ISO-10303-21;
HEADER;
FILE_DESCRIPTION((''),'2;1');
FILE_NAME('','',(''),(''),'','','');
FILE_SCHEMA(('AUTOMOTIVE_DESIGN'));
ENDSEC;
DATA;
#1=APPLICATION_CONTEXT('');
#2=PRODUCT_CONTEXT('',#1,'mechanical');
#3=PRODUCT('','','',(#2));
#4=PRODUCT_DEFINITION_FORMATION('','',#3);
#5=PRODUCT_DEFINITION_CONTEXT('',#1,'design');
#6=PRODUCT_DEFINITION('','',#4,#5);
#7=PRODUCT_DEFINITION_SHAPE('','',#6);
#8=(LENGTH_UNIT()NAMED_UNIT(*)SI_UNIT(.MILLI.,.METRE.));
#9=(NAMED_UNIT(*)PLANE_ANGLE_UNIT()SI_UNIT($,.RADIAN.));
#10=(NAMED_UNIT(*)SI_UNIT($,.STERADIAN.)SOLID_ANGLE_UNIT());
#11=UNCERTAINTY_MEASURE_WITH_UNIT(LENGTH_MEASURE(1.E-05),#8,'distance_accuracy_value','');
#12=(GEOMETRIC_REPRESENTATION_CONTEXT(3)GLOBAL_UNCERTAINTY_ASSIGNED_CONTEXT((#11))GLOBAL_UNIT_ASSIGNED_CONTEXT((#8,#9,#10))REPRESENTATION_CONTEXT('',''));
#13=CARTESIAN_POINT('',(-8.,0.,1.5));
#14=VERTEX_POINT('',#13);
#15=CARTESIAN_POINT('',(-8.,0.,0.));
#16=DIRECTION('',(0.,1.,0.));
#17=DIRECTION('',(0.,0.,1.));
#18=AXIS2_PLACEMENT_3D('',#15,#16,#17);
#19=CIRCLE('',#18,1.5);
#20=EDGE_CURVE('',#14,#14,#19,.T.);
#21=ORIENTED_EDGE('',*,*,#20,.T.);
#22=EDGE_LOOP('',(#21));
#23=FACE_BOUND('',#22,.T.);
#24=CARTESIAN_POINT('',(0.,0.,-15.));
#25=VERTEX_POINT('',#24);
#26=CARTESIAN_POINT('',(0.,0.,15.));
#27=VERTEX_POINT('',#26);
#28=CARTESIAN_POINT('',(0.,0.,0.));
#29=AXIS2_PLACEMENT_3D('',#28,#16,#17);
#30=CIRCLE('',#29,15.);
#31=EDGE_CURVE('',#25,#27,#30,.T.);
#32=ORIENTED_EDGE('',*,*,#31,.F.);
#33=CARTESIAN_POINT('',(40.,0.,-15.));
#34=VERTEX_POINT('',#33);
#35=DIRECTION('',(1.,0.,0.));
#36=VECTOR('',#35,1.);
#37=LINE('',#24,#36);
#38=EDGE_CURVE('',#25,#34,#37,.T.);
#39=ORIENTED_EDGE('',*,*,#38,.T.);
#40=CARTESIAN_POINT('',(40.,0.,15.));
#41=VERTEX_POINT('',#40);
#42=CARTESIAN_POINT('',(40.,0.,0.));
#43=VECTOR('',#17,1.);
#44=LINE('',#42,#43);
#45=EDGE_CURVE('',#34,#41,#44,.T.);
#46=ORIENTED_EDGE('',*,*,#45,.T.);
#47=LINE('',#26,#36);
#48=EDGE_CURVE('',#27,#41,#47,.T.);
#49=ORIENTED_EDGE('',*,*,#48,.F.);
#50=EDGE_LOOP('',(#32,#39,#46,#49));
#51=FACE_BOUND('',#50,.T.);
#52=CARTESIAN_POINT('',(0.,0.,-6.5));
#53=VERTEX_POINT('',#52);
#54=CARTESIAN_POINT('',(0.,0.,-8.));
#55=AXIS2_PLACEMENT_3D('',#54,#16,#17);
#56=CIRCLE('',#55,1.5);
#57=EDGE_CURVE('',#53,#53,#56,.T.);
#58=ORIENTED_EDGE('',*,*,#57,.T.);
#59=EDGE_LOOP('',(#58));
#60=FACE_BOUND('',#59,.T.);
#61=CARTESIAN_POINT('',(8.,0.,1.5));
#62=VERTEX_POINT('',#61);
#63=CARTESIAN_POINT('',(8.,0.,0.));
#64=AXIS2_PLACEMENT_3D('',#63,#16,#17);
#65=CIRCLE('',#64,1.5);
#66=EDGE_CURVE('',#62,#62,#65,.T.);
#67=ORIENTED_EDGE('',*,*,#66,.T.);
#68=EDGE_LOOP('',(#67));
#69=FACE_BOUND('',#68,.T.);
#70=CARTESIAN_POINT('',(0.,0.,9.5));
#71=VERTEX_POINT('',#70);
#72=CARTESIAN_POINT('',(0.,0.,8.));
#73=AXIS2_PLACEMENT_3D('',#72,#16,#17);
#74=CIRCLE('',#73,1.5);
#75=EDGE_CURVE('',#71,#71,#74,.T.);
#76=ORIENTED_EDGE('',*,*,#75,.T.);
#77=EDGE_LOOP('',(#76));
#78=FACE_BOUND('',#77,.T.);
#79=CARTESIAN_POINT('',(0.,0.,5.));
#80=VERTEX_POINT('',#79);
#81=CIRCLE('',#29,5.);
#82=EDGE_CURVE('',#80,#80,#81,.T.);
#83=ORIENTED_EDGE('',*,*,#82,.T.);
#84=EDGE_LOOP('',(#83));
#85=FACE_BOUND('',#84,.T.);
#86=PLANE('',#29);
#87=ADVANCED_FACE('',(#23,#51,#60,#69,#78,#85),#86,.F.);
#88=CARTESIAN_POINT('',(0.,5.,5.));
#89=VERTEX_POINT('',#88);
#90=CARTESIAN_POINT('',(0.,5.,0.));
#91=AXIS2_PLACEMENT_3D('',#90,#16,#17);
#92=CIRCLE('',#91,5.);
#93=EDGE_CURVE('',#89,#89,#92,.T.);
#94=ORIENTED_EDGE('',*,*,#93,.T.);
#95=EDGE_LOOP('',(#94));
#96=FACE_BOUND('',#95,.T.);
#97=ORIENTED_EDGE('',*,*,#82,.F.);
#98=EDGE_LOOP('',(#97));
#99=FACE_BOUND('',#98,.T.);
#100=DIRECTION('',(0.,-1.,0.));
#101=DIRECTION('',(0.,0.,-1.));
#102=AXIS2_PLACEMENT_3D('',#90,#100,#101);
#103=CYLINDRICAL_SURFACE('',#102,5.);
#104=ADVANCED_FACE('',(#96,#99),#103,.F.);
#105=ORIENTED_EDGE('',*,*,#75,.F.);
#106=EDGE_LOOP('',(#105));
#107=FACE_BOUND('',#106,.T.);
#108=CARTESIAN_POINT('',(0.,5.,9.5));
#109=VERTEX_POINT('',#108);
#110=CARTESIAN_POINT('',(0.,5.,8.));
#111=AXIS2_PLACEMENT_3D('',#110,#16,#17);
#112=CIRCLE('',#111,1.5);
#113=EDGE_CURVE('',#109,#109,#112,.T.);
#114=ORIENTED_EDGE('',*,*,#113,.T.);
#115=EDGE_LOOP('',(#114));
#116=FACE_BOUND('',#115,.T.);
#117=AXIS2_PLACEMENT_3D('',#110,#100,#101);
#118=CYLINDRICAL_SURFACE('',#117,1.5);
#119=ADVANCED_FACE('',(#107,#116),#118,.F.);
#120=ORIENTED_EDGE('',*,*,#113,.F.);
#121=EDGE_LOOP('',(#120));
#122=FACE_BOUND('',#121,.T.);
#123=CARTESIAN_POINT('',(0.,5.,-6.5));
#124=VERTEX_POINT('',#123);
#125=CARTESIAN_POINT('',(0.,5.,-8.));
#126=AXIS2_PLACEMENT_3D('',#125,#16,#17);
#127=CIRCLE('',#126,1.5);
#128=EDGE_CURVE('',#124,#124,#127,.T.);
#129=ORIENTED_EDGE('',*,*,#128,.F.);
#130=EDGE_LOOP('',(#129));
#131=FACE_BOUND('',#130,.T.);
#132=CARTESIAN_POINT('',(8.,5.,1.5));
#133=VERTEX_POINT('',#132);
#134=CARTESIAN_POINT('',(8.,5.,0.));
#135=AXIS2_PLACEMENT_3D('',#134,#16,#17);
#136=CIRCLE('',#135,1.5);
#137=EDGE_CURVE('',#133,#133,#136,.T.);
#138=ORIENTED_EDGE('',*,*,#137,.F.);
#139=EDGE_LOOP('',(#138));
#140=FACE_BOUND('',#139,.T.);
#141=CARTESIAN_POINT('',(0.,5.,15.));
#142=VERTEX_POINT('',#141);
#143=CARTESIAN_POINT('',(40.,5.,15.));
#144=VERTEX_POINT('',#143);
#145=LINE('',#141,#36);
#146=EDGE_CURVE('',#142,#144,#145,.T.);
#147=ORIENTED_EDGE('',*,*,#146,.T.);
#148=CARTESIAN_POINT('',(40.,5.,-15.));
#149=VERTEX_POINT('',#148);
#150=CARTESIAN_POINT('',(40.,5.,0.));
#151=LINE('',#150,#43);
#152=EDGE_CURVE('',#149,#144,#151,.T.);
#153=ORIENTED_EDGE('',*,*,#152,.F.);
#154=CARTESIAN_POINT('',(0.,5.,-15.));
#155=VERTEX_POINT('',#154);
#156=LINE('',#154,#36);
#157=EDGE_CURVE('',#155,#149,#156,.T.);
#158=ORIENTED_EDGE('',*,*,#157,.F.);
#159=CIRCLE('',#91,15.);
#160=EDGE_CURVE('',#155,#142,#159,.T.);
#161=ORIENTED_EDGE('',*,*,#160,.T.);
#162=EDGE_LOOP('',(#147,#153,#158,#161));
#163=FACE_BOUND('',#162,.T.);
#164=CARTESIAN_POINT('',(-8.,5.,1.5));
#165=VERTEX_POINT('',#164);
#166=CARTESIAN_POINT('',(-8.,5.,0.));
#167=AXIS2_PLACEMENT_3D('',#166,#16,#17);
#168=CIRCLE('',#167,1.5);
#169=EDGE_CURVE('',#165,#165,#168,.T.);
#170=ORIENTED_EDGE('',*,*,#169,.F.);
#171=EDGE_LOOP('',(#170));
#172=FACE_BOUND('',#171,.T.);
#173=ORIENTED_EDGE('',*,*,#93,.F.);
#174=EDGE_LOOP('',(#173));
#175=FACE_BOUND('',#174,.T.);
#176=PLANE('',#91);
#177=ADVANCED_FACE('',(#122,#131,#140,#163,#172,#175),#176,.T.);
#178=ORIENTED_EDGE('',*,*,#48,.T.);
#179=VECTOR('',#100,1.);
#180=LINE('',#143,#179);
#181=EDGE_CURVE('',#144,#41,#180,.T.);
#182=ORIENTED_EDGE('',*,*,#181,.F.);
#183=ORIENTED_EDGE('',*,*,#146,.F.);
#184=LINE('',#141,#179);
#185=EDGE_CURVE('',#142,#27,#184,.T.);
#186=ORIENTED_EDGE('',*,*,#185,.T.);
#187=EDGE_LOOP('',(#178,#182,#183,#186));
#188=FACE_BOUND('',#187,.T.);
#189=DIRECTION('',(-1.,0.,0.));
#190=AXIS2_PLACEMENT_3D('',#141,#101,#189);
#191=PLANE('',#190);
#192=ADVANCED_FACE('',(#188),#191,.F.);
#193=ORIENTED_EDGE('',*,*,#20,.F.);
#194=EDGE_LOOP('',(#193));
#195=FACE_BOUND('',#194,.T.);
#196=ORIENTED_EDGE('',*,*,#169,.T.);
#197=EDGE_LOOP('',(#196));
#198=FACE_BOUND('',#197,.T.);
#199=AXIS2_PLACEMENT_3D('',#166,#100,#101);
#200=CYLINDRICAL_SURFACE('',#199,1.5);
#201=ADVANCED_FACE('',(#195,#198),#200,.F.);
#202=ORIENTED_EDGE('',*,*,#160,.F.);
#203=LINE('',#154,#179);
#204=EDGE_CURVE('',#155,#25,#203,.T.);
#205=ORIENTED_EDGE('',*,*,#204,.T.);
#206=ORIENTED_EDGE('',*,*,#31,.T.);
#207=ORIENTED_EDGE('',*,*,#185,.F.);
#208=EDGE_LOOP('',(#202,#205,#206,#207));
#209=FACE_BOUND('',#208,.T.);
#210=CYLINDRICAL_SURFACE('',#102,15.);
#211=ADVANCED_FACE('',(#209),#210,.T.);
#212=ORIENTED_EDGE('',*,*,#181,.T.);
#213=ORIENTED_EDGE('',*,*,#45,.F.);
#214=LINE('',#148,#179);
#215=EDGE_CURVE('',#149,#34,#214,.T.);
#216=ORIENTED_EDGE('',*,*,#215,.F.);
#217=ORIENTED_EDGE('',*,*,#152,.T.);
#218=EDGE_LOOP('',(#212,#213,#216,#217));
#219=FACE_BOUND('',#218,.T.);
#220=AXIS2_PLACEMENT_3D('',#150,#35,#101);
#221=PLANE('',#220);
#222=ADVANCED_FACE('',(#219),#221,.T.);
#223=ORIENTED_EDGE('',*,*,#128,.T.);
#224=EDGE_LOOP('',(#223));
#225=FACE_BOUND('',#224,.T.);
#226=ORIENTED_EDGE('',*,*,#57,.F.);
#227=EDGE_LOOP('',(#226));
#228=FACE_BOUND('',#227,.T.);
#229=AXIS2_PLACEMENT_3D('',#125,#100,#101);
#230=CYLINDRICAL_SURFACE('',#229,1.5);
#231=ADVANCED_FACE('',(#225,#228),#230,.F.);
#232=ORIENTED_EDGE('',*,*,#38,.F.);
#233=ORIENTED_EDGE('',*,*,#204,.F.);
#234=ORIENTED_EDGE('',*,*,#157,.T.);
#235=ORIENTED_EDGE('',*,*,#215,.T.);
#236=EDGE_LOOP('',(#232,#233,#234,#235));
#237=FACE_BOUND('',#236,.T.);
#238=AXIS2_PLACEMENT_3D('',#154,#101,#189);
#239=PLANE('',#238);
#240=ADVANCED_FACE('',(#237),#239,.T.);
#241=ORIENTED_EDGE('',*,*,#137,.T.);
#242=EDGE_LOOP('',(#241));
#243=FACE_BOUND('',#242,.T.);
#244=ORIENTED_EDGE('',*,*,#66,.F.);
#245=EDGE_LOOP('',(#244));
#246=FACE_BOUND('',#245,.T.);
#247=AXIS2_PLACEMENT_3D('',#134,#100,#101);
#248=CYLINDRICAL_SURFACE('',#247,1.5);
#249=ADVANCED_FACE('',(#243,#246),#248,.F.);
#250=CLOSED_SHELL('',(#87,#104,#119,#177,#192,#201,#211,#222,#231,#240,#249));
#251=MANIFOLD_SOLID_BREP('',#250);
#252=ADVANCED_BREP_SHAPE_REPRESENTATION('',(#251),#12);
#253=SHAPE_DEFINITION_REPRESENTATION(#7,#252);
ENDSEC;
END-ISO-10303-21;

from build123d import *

# Parameters (mm, degrees)
BOSS_EXTRUDE1_DEPTH = 5


with BuildPart() as part:
    # Sketch1 → Boss-Extrude1 (new body)
    with BuildSketch(Plane(origin=(0, 0, 0), x_dir=(1, 0, 0), z_dir=(0, 1, 0))):
        with BuildLine():
            ThreePointArc((-7.859375, 1.493393655), (-5.656854249, 5.656854249), (-1.493393655, 7.859375))
            ThreePointArc((-1.493393655, 7.859375), (-1.109264959, 9.009718401), (0, 9.5))
            Line((0, 9.5), (0, 15))
            ThreePointArc((0, 15), (-15, 0), (0, -15))
            Line((0, -15), (0, -9.5))
            ThreePointArc((0, -9.5), (-1.109264959, -9.009718401), (-1.493393655, -7.859375))
            ThreePointArc((-1.493393655, -7.859375), (-5.656854249, -5.656854249), (-7.859375, -1.493393655))
            ThreePointArc((-7.859375, -1.493393655), (-9.5, 0), (-7.859375, 1.493393655))
        make_face()
        with BuildLine():
            ThreePointArc((1.5, 8), (1.498347504, 7.929609954), (1.493393655, 7.859375))
            ThreePointArc((1.493393655, 7.859375), (5.656854249, 5.656854249), (7.859375, 1.493393655))
            ThreePointArc((7.859375, 1.493393655), (9.009718401, 1.109264959), (9.5, 0))
            ThreePointArc((9.5, 0), (9.009718401, -1.109264959), (7.859375, -1.493393655))
            ThreePointArc((7.859375, -1.493393655), (5.656854249, -5.656854249), (1.493393655, -7.859375))
            ThreePointArc((1.493393655, -7.859375), (1.498347504, -7.929609954), (1.5, -8))
            ThreePointArc((1.5, -8), (1.060660172, -9.060660172), (0, -9.5))
            Line((0, -9.5), (0, -15))
            ThreePointArc((0, -15), (10.606601718, -10.606601718), (15, 0))
            ThreePointArc((15, 0), (10.606601718, 10.606601718), (0, 15))
            Line((0, 15), (0, 9.5))
            ThreePointArc((0, 9.5), (1.060660172, 9.060660172), (1.5, 8))
        make_face()
        with BuildLine():
            ThreePointArc((0, -5), (-5, 0), (0, 5))
            Line((0, 5), (0, 6.5))
            ThreePointArc((0, 6.5), (-1.009718401, 6.890735041), (-1.493393655, 7.859375))
            ThreePointArc((-1.493393655, 7.859375), (-5.656854249, 5.656854249), (-7.859375, 1.493393655))
            ThreePointArc((-7.859375, 1.493393655), (-6.890735041, 1.009718401), (-6.5, 0))
            ThreePointArc((-6.5, 0), (-6.890735041, -1.009718401), (-7.859375, -1.493393655))
            ThreePointArc((-7.859375, -1.493393655), (-5.656854249, -5.656854249), (-1.493393655, -7.859375))
            ThreePointArc((-1.493393655, -7.859375), (-1.009718401, -6.890735041), (0, -6.5))
            Line((0, -6.5), (0, -5))
        make_face()
        with BuildLine():
            Line((0, 6.5), (0, 5))
            ThreePointArc((0, 5), (3.535533906, 3.535533906), (5, 0))
            ThreePointArc((5, 0), (3.535533906, -3.535533906), (0, -5))
            Line((0, -5), (0, -6.5))
            ThreePointArc((0, -6.5), (1.009718401, -6.890735041), (1.493393655, -7.859375))
            ThreePointArc((1.493393655, -7.859375), (5.656854249, -5.656854249), (7.859375, -1.493393655))
            ThreePointArc((7.859375, -1.493393655), (6.5, 0), (7.859375, 1.493393655))
            ThreePointArc((7.859375, 1.493393655), (5.656854249, 5.656854249), (1.493393655, 7.859375))
            ThreePointArc((1.493393655, 7.859375), (1.009718401, 6.890735041), (0, 6.5))
        make_face()
        with BuildLine():
            Line((40, 15), (0, 15))
            ThreePointArc((0, 15), (10.606601718, 10.606601718), (15, 0))
            ThreePointArc((15, 0), (10.606601718, -10.606601718), (0, -15))
            Line((0, -15), (40, -15))
            Line((40, -15), (40, 15))
        make_face()
    extrude(amount=BOSS_EXTRUDE1_DEPTH)


solid = part.part
